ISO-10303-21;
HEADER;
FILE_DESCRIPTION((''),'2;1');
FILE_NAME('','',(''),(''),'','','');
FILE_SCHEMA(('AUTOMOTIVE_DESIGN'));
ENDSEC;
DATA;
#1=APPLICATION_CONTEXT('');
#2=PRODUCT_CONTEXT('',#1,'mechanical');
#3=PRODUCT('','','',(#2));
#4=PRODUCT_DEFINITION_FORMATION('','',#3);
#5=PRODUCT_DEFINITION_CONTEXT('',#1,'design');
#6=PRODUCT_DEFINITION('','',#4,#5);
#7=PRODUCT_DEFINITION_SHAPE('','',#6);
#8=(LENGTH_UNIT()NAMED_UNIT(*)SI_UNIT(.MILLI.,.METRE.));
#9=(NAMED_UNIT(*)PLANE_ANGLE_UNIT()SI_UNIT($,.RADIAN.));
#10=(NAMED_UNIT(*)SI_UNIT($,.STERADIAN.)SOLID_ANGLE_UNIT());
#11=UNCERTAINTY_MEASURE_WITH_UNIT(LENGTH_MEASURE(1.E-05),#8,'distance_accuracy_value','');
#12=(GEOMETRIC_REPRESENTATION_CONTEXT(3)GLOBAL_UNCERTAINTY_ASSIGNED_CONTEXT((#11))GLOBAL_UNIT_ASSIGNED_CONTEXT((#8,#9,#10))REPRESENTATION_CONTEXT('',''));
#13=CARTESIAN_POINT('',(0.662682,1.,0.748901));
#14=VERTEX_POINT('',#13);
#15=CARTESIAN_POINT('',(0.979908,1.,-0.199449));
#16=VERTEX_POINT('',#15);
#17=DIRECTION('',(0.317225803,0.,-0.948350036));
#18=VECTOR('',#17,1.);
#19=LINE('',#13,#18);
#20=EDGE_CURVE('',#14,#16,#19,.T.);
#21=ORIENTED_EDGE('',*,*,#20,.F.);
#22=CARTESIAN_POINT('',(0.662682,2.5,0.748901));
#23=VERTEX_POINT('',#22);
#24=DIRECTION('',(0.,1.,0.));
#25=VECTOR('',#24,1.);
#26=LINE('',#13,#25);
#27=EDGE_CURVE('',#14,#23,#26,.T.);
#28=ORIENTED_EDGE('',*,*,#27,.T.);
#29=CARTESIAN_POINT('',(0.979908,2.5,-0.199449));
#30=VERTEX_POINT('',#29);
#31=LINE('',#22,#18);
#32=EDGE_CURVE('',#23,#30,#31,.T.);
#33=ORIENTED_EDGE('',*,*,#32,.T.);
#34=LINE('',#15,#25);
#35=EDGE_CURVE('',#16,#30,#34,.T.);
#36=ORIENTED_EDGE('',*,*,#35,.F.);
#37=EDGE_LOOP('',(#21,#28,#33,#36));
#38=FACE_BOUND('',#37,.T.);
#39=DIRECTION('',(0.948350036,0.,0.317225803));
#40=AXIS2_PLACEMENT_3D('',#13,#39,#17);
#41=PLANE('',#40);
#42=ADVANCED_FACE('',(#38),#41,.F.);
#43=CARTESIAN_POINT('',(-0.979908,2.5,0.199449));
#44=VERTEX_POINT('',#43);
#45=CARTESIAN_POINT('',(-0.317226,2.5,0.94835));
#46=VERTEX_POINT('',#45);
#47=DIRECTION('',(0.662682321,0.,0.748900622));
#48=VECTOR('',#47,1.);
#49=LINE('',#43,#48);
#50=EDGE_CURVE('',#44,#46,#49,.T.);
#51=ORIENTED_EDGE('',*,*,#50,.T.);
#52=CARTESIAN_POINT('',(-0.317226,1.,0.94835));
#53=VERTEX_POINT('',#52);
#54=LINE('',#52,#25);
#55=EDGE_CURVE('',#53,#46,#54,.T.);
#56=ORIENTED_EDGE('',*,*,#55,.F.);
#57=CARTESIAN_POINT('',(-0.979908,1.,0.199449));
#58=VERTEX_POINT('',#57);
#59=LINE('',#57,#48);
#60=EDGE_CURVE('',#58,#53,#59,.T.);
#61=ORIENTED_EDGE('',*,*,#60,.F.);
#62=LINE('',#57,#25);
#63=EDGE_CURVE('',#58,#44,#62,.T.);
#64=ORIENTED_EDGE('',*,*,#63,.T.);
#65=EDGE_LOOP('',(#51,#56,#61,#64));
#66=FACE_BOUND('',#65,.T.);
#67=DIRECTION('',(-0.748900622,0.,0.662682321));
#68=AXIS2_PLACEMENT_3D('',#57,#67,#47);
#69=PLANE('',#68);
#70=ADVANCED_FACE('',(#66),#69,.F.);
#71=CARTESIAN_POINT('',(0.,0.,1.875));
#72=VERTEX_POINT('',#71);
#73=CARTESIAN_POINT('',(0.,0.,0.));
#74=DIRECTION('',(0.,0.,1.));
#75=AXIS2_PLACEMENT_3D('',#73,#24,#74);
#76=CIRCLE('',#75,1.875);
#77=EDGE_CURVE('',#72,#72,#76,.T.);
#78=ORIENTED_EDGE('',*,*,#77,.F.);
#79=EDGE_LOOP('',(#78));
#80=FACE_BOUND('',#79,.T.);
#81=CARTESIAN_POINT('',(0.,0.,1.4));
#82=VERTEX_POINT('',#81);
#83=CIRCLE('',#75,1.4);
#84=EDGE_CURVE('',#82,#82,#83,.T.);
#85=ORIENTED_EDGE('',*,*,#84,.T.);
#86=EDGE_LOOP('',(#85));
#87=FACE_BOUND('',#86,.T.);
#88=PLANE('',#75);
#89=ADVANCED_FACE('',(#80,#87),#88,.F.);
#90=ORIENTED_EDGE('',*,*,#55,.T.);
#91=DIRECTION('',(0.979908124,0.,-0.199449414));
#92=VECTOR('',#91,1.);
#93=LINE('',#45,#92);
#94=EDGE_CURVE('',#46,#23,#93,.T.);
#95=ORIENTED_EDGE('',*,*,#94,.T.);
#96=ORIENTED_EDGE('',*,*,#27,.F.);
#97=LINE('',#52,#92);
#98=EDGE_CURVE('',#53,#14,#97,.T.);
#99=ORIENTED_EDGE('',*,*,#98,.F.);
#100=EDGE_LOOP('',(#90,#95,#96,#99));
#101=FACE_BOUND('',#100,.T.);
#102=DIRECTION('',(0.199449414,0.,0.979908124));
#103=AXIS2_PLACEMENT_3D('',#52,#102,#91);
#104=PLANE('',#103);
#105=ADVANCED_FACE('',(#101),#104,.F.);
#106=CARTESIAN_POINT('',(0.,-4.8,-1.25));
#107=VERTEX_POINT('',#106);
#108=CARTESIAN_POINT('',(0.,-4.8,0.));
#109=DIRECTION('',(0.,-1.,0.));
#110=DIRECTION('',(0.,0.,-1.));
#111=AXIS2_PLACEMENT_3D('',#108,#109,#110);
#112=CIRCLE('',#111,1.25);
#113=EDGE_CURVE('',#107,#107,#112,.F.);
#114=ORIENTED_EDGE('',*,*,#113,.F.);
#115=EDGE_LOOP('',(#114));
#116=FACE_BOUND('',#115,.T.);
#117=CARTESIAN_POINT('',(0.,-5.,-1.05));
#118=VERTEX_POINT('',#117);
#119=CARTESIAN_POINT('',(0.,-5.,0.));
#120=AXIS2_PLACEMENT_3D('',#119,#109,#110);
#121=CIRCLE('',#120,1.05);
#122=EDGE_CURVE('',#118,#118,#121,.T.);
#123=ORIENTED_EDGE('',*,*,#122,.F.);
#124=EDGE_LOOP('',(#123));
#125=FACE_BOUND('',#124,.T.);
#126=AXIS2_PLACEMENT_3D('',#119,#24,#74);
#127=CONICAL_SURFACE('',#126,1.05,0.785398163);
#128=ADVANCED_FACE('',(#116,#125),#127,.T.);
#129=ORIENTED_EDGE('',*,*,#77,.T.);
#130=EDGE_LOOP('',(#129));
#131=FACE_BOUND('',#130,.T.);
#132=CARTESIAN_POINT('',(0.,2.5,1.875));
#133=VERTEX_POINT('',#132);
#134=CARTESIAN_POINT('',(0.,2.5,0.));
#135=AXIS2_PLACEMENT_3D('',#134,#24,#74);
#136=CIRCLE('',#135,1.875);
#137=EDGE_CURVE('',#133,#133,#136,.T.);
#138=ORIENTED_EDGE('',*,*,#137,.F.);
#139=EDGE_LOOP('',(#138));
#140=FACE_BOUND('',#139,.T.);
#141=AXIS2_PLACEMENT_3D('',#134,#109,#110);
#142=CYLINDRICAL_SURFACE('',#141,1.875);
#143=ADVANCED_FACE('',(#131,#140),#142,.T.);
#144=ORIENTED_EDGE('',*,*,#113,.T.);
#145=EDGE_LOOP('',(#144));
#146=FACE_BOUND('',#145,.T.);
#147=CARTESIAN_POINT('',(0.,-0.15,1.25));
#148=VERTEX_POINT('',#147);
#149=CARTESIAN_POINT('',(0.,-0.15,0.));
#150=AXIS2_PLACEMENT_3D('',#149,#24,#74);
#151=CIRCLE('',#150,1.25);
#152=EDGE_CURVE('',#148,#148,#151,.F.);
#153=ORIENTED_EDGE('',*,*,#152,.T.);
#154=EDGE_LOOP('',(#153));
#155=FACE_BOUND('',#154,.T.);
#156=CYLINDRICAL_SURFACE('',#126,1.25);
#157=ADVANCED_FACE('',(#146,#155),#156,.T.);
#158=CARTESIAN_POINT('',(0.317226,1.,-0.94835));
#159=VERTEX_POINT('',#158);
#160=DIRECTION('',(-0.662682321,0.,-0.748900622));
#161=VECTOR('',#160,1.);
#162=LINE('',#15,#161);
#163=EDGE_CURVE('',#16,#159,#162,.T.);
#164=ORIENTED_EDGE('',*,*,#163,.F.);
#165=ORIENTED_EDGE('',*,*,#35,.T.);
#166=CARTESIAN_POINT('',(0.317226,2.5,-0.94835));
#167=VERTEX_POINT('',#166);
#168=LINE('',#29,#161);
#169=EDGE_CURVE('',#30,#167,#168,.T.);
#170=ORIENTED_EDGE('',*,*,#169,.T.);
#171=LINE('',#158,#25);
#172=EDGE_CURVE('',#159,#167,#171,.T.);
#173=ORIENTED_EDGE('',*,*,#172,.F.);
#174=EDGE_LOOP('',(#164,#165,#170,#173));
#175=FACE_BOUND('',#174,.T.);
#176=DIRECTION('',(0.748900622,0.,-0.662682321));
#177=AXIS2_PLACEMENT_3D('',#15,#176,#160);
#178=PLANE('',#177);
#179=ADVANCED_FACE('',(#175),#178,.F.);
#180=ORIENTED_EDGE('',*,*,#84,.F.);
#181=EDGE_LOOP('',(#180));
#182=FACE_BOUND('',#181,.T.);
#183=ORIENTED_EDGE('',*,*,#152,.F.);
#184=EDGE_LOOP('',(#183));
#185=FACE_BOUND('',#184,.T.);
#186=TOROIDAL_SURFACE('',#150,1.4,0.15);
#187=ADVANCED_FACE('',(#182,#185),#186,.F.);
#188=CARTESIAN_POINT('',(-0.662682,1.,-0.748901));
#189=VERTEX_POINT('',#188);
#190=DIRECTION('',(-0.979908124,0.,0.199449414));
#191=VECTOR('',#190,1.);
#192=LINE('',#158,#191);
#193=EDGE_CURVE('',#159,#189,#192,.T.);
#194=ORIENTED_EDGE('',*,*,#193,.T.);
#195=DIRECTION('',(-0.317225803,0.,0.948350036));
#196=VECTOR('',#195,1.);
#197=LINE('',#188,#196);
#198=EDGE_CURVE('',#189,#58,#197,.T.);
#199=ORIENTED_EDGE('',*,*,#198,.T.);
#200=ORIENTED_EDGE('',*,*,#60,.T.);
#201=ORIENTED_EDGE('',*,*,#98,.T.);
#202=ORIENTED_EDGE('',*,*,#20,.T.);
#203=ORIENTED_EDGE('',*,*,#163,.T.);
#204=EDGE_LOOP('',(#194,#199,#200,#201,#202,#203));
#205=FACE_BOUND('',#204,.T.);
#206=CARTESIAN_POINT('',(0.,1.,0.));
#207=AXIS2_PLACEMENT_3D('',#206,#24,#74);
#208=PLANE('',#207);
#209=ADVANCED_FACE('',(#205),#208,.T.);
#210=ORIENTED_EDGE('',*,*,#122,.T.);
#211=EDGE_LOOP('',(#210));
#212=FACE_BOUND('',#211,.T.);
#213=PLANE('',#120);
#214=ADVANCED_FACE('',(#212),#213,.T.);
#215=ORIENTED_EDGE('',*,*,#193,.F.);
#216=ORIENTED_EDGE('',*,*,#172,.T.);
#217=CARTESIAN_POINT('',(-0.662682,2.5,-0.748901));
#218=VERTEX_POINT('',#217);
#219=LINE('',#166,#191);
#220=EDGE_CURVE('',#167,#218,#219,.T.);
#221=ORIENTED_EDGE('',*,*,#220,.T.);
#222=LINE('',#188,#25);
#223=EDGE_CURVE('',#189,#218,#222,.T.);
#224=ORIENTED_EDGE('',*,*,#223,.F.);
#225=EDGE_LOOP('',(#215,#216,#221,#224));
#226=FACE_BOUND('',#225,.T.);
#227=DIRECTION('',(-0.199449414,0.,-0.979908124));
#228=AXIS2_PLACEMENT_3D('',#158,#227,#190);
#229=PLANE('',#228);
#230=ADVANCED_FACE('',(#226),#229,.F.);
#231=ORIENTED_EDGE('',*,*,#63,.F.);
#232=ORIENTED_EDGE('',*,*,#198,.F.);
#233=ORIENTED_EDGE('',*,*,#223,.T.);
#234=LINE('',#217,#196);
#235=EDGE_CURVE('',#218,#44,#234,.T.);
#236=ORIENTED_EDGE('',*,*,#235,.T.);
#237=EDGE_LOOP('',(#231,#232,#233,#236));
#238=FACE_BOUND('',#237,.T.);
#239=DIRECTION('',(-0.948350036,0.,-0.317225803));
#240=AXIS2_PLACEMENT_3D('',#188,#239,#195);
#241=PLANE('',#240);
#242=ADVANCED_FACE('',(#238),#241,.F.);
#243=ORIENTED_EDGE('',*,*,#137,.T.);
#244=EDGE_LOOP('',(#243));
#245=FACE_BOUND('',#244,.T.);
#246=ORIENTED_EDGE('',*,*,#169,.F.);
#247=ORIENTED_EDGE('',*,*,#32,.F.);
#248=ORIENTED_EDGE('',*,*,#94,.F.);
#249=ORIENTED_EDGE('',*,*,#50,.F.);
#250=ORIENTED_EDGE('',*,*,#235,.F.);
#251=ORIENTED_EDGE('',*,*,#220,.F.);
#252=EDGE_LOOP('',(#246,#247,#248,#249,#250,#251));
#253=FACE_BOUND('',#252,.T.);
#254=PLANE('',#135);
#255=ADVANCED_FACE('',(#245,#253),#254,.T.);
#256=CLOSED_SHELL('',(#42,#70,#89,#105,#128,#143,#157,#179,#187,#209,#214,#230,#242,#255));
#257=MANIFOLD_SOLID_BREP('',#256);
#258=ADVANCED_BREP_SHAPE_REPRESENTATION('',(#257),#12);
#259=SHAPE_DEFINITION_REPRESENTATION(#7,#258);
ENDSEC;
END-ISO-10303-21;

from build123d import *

# Parameters (mm, degrees)
SKETCH1_R           = 1.875
BOSS_EXTRUDE1_DEPTH = 2.5
SKETCH2_R           = 1.25
BOSS_EXTRUDE2_DEPTH = 5
FILLET1_R           = 0.15
CHAMFER1_SIZE       = 0.2
CUT_EXTRUDE1_DEPTH  = 1.5


with BuildPart() as part:
    # Sketch1 → Boss-Extrude1 (new body)
    with BuildSketch(Plane(origin=(0, 0, 0), x_dir=(1, 0, 0), z_dir=(0, 1, 0))):
        Circle(SKETCH1_R)
    extrude(amount=BOSS_EXTRUDE1_DEPTH)

    # Sketch2 → Boss-Extrude2 (add)
    with BuildSketch(Plane(origin=(0, 0, 0), x_dir=(-1, 0, 0), z_dir=(0, -1, 0))):
        Circle(SKETCH2_R)
    extrude(amount=BOSS_EXTRUDE2_DEPTH)

    # Fillet1
    fillet1_edges = [part.edges().sort_by_distance(p)[0] for p in [
        (1.25, 0, 0),
    ]]
    fillet(fillet1_edges, radius=FILLET1_R)

    # Chamfer1
    chamfer1_edges = [part.edges().sort_by_distance(p)[0] for p in [
        (1.25, -5, 0),
    ]]
    chamfer(chamfer1_edges, length=CHAMFER1_SIZE)

    # Sketch3 → Cut-Extrude1 (cut)
    with BuildSketch(Plane(origin=(0, 2.5, 0), x_dir=(1, 0, 0), z_dir=(0, 1, 0))):
        Polygon((-0.979908124, -0.199449414), (-0.317225803, -0.948350036), (0.662682321, -0.748900622), (0.979908124, 0.199449414), (0.317225803, 0.948350036), (-0.662682321, 0.748900622), align=None)
    extrude(amount=-CUT_EXTRUDE1_DEPTH, mode=Mode.SUBTRACT)


solid = part.part
